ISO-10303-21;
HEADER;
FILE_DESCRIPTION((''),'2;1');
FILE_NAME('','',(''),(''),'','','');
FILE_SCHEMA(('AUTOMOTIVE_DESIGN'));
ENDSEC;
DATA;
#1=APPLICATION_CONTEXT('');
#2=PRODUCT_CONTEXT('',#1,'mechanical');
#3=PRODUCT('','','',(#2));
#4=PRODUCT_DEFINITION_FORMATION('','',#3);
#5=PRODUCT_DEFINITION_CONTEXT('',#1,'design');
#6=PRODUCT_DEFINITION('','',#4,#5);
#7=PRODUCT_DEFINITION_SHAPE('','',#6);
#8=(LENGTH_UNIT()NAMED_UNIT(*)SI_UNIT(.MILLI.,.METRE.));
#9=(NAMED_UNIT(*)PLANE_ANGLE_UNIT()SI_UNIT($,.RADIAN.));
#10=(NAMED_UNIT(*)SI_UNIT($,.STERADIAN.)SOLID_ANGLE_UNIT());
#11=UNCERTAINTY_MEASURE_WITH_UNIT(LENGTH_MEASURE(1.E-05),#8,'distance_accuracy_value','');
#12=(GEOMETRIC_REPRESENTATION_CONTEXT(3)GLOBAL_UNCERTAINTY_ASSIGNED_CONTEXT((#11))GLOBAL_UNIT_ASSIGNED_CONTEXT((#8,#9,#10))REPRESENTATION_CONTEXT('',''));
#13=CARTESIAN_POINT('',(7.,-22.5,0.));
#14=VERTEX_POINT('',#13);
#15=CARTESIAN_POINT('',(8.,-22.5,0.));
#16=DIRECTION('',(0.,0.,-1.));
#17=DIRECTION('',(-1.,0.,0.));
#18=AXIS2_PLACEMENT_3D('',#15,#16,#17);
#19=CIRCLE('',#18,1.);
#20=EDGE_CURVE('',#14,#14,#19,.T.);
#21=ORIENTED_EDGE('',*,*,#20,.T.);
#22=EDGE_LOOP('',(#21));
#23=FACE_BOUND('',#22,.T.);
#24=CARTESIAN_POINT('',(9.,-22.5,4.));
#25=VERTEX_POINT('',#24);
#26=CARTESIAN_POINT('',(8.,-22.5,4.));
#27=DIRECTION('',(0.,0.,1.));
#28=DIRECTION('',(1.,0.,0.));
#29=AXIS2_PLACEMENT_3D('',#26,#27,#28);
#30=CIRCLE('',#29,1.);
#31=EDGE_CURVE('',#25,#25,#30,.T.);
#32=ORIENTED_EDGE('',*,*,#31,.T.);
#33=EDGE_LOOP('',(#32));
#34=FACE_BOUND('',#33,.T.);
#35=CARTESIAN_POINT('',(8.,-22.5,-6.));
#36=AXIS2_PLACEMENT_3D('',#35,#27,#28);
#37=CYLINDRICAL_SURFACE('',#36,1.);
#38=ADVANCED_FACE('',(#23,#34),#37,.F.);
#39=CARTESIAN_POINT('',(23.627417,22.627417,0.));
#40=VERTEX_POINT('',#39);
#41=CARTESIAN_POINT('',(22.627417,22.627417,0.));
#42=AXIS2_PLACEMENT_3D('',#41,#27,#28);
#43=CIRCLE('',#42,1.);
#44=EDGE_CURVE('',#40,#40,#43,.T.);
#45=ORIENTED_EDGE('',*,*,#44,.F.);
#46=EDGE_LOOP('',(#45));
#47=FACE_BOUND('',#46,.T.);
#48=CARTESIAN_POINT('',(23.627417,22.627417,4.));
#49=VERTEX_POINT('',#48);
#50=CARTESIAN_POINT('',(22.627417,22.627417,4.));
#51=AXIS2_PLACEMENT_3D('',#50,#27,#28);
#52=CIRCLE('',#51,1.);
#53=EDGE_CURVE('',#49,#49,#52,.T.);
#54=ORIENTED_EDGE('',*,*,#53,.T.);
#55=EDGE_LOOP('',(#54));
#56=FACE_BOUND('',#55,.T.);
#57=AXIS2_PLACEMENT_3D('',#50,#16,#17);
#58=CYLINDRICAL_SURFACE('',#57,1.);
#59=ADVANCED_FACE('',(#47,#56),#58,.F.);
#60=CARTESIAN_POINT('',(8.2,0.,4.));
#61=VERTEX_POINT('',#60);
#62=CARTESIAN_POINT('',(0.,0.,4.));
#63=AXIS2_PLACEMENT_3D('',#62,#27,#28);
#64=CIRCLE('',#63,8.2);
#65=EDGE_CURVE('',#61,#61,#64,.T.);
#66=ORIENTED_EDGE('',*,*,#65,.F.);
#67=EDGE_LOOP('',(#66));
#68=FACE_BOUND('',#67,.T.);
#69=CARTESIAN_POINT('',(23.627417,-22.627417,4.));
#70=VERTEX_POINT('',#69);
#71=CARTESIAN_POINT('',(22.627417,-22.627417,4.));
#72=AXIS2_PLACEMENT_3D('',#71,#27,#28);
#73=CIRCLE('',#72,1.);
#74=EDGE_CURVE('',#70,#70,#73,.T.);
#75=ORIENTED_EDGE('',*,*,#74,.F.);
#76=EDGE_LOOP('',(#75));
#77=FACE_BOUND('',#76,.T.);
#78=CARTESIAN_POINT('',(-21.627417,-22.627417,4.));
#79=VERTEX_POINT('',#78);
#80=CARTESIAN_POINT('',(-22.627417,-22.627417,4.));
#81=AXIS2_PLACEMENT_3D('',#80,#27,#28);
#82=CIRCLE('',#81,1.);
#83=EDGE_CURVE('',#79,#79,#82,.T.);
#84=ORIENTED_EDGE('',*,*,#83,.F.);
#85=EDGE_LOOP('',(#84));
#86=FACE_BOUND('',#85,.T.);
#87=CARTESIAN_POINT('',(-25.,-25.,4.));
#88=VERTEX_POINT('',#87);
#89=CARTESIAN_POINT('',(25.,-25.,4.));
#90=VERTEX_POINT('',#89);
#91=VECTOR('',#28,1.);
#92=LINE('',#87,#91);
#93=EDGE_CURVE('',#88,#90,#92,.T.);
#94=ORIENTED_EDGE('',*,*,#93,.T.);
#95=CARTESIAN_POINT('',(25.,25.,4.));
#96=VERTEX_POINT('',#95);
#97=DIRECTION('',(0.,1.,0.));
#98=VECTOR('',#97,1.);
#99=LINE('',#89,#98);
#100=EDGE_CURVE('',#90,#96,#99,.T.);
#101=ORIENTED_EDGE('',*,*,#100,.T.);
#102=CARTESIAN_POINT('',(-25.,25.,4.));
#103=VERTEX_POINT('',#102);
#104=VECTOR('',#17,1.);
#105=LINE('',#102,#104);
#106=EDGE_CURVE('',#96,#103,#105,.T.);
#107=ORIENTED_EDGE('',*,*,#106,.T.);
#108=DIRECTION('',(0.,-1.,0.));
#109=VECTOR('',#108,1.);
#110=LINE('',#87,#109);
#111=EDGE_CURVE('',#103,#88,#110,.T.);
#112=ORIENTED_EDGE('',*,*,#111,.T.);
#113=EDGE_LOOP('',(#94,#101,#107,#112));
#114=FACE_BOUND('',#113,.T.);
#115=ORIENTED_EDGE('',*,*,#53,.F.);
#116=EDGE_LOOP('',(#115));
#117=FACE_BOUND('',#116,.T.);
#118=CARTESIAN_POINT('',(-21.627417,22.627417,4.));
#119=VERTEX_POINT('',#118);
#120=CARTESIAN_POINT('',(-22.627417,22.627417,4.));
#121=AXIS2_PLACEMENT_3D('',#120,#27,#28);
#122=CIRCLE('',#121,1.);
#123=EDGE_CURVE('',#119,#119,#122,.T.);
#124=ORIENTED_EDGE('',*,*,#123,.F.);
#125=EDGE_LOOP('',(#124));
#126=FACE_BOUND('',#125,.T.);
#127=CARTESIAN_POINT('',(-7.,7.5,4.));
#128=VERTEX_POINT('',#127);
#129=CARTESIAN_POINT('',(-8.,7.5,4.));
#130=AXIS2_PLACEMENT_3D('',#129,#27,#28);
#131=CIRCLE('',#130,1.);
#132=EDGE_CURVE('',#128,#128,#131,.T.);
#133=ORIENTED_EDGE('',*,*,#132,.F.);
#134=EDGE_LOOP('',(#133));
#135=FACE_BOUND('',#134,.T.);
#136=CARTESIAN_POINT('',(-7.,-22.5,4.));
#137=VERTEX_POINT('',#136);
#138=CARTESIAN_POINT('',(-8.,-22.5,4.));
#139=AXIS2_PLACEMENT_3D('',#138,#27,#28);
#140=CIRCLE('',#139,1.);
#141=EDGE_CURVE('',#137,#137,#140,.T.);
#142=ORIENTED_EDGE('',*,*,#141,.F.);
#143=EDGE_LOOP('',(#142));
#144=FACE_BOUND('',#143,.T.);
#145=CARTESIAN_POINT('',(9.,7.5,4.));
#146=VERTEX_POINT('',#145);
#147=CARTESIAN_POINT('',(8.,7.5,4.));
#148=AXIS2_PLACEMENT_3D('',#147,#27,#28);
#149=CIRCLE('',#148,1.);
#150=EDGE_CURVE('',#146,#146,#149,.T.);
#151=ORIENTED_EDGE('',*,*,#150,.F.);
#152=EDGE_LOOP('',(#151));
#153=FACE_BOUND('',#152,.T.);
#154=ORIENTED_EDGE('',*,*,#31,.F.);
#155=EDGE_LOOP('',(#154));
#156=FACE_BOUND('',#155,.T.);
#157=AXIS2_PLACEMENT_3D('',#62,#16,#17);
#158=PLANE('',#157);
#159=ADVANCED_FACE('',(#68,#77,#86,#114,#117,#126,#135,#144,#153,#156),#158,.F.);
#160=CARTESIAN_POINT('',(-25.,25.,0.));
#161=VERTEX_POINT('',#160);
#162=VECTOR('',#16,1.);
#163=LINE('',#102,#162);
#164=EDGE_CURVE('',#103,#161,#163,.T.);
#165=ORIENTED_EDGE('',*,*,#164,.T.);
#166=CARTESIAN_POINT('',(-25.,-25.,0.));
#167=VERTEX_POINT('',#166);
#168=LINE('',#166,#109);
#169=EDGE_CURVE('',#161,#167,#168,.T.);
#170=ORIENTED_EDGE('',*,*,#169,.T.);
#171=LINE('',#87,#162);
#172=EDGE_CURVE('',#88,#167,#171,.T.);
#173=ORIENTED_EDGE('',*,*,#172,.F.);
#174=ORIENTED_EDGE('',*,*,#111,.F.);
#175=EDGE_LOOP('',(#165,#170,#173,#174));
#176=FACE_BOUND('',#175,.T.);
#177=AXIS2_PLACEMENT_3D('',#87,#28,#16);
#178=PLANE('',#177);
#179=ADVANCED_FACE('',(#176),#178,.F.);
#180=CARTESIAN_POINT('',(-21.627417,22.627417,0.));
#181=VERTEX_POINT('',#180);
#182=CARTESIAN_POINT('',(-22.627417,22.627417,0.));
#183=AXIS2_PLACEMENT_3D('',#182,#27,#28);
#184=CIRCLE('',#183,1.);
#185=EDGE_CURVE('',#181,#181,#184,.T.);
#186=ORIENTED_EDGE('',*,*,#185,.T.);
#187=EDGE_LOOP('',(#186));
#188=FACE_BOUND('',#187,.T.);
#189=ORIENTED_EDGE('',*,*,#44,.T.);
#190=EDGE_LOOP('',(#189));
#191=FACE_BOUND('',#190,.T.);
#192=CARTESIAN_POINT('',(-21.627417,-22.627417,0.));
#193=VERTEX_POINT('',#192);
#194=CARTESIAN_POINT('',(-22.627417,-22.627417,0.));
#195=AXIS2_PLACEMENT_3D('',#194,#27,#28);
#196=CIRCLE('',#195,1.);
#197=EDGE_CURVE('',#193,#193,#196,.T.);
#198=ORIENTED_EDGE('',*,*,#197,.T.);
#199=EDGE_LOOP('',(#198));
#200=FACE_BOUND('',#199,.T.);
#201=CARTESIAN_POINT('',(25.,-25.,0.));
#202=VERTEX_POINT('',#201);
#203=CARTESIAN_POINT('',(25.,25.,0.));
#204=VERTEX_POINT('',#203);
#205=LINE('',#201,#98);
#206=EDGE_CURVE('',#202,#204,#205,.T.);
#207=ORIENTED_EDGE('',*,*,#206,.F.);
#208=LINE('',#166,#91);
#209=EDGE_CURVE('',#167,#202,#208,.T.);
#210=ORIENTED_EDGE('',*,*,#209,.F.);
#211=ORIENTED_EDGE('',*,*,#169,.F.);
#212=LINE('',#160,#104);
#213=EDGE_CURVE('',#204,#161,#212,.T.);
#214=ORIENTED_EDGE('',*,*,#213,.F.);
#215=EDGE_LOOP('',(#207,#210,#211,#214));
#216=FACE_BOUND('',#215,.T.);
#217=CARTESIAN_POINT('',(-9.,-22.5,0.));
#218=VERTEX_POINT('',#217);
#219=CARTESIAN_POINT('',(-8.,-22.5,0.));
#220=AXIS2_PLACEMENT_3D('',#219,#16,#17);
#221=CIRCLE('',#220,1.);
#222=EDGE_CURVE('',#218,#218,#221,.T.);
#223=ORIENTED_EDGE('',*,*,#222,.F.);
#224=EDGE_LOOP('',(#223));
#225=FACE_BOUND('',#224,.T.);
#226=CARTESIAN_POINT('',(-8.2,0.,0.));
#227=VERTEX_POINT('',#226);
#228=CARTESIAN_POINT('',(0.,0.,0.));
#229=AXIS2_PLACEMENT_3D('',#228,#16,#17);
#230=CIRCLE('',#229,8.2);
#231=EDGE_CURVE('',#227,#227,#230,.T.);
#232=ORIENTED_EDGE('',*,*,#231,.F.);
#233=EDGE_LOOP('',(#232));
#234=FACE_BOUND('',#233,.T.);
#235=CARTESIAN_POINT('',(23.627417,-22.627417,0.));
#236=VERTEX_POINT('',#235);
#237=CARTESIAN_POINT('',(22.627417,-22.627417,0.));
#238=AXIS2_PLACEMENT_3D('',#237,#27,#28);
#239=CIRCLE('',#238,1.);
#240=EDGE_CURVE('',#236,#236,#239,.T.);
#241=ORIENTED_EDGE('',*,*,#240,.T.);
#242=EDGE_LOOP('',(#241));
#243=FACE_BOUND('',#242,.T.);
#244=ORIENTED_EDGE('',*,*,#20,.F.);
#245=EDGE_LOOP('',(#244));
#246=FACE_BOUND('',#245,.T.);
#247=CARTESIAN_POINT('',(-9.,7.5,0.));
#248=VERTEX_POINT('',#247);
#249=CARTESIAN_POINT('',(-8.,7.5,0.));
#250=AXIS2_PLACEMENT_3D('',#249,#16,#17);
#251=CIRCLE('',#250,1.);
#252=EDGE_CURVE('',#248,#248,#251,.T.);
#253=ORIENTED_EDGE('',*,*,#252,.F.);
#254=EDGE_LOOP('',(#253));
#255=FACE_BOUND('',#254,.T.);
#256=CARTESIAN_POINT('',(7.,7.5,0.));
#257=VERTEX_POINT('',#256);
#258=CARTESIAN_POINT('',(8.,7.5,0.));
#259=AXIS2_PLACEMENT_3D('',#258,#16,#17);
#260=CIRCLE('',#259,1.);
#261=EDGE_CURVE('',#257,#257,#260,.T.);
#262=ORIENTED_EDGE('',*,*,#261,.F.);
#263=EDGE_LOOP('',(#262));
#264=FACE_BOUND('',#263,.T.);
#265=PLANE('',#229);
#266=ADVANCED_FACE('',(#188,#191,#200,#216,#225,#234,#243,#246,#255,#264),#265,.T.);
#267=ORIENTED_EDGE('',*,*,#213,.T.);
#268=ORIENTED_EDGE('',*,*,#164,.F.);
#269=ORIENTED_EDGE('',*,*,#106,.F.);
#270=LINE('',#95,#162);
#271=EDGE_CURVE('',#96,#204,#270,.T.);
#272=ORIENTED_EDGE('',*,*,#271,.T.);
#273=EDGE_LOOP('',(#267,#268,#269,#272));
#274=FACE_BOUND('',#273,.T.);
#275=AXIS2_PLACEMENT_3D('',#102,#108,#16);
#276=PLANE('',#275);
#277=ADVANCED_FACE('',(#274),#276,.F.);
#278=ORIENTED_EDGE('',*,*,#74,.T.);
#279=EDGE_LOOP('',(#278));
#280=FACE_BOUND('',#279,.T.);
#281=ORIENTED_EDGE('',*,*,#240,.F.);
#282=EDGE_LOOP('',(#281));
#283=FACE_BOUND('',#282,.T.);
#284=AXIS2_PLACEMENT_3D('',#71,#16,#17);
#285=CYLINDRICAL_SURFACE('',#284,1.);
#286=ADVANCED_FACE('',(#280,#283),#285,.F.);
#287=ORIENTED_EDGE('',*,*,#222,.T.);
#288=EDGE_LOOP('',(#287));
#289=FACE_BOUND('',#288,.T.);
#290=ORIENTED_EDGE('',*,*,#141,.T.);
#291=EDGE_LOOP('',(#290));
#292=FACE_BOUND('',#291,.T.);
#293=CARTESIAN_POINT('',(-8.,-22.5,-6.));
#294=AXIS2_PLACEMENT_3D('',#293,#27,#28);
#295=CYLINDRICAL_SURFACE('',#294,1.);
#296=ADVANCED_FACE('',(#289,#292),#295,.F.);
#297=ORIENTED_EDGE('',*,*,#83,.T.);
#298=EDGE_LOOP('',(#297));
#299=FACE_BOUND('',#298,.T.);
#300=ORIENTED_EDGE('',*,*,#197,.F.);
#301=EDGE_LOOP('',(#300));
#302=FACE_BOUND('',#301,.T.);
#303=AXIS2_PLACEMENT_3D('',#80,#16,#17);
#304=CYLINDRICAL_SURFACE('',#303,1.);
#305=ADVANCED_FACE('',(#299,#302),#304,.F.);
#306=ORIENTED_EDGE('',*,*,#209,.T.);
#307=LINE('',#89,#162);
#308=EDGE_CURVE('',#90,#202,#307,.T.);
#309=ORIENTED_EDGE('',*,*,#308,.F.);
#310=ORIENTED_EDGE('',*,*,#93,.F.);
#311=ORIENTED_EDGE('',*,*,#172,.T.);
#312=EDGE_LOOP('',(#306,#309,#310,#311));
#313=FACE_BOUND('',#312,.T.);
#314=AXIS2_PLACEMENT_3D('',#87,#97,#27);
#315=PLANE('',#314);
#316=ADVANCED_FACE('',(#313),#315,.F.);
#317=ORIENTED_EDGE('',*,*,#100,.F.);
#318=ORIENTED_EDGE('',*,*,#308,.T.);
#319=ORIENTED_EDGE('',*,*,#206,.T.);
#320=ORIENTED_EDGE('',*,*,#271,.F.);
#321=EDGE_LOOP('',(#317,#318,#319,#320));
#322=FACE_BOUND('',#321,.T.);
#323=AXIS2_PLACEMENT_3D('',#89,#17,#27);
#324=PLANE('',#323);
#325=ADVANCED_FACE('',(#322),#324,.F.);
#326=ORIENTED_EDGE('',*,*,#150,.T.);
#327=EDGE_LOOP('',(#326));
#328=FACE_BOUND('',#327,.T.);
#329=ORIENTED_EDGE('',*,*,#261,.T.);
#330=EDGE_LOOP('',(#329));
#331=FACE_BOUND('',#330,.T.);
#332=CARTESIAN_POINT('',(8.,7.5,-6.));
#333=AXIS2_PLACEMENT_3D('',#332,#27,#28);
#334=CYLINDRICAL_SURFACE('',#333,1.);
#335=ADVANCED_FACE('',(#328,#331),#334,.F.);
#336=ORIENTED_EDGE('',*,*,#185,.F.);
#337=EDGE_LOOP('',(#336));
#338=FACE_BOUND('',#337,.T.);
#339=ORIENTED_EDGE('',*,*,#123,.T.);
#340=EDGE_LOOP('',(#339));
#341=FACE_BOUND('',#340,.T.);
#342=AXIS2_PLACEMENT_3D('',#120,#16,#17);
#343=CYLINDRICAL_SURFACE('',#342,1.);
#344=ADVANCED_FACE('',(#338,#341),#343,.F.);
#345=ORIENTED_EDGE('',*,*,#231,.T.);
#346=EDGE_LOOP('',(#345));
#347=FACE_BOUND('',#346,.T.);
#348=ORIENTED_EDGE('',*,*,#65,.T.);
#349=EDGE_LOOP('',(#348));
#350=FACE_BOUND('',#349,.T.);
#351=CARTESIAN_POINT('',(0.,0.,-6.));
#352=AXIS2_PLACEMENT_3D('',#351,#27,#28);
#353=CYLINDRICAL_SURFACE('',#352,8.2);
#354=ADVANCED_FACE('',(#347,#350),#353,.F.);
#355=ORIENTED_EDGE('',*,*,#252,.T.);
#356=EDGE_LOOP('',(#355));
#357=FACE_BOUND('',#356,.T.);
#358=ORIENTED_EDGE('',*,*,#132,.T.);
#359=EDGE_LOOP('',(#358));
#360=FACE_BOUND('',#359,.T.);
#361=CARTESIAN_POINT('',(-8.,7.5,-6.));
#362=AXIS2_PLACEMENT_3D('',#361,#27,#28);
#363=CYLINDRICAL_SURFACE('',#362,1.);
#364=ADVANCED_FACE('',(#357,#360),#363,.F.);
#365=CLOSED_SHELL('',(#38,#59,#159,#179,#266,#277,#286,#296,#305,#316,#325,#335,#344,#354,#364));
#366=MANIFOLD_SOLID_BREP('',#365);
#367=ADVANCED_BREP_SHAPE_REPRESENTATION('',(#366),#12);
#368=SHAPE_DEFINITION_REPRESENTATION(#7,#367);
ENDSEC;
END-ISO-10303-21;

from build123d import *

# Parameters (mm, degrees)
SKETCH1_W           = 50
SKETCH1_H           = 50
SKETCH1_R           = 1
BOSS_EXTRUDE1_DEPTH = 4
SKETCH2_R           = 8.2
SKETCH2_R_2         = 1
CUT_EXTRUDE1_DEPTH  = 10


with BuildPart() as part:
    # Sketch1 → Boss-Extrude1 (new body)
    with BuildSketch(Plane.XY):
        Rectangle(SKETCH1_W, SKETCH1_H)
        with Locations((-22.627416998, 22.627416998)):
            Circle(SKETCH1_R, mode=Mode.SUBTRACT)
        with Locations((22.627416998, 22.627416998)):
            Circle(SKETCH1_R, mode=Mode.SUBTRACT)
        with Locations((22.627416998, -22.627416998)):
            Circle(SKETCH1_R, mode=Mode.SUBTRACT)
        with Locations((-22.627416998, -22.627416998)):
            Circle(SKETCH1_R, mode=Mode.SUBTRACT)
    extrude(amount=BOSS_EXTRUDE1_DEPTH)

    # Sketch2 → Cut-Extrude1 (cut)
    with BuildSketch(Plane.XY.offset(4)):
        Circle(SKETCH2_R)
        with Locations((-8, 7.5)):
            Circle(SKETCH2_R_2)
        with Locations((8, 7.5)):
            Circle(SKETCH2_R_2)
        with Locations((-8, -22.5)):
            Circle(SKETCH2_R_2)
        with Locations((8, -22.5)):
            Circle(SKETCH2_R_2)
    extrude(amount=-CUT_EXTRUDE1_DEPTH, mode=Mode.SUBTRACT)


solid = part.part
